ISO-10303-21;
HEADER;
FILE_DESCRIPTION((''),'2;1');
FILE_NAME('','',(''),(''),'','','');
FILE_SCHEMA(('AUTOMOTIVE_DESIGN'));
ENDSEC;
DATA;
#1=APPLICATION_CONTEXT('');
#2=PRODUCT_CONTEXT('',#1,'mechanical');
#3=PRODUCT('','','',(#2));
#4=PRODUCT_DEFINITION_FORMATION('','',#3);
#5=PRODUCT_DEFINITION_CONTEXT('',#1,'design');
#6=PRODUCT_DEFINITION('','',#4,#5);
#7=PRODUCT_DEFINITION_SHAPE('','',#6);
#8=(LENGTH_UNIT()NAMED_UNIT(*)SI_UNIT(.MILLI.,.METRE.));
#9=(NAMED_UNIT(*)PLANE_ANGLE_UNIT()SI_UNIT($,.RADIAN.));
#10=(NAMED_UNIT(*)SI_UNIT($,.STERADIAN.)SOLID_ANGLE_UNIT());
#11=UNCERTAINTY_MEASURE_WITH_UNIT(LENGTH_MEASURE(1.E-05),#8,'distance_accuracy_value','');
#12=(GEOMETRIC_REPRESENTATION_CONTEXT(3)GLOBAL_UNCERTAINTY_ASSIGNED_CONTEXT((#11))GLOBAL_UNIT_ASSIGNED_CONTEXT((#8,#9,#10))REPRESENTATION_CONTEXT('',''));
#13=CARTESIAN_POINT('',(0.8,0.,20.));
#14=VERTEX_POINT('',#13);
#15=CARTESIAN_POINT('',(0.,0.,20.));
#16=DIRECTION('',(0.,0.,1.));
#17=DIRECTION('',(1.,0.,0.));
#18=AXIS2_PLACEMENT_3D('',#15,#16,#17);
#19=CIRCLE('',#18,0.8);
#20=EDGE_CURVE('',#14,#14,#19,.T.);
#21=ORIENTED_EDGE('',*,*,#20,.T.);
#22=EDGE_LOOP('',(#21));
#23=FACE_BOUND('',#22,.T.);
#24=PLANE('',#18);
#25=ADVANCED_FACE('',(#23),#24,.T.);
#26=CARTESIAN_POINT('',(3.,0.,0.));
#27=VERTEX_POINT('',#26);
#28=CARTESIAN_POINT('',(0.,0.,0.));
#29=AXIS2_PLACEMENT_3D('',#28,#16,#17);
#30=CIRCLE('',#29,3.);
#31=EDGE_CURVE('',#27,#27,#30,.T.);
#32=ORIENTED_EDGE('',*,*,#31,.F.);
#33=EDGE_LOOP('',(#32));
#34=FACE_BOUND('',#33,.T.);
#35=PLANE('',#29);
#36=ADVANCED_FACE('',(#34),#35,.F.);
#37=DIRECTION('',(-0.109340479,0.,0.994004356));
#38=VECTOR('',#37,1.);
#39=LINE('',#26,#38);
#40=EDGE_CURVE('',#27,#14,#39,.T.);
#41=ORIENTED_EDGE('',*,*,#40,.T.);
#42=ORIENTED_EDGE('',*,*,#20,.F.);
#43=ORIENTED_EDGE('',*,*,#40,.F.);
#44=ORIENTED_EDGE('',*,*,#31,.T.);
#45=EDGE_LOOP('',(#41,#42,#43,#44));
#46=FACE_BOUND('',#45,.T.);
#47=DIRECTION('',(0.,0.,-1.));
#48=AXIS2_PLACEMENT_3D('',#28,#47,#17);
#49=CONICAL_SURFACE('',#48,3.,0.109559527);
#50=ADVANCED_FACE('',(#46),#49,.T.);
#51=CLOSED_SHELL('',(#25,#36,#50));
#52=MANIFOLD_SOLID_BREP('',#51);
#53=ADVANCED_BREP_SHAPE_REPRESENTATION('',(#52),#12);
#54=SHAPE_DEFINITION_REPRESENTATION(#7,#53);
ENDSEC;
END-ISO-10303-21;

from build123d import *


with BuildPart() as part:
    # Cone → Cone (revolve)
    with BuildSketch(Plane.XZ):
        Polygon((0, 0), (3, 0), (0.8, 20), (0, 20), align=None)
    revolve(axis=Axis((0, 0, 0), (0, 0, 1)))


solid = part.part
